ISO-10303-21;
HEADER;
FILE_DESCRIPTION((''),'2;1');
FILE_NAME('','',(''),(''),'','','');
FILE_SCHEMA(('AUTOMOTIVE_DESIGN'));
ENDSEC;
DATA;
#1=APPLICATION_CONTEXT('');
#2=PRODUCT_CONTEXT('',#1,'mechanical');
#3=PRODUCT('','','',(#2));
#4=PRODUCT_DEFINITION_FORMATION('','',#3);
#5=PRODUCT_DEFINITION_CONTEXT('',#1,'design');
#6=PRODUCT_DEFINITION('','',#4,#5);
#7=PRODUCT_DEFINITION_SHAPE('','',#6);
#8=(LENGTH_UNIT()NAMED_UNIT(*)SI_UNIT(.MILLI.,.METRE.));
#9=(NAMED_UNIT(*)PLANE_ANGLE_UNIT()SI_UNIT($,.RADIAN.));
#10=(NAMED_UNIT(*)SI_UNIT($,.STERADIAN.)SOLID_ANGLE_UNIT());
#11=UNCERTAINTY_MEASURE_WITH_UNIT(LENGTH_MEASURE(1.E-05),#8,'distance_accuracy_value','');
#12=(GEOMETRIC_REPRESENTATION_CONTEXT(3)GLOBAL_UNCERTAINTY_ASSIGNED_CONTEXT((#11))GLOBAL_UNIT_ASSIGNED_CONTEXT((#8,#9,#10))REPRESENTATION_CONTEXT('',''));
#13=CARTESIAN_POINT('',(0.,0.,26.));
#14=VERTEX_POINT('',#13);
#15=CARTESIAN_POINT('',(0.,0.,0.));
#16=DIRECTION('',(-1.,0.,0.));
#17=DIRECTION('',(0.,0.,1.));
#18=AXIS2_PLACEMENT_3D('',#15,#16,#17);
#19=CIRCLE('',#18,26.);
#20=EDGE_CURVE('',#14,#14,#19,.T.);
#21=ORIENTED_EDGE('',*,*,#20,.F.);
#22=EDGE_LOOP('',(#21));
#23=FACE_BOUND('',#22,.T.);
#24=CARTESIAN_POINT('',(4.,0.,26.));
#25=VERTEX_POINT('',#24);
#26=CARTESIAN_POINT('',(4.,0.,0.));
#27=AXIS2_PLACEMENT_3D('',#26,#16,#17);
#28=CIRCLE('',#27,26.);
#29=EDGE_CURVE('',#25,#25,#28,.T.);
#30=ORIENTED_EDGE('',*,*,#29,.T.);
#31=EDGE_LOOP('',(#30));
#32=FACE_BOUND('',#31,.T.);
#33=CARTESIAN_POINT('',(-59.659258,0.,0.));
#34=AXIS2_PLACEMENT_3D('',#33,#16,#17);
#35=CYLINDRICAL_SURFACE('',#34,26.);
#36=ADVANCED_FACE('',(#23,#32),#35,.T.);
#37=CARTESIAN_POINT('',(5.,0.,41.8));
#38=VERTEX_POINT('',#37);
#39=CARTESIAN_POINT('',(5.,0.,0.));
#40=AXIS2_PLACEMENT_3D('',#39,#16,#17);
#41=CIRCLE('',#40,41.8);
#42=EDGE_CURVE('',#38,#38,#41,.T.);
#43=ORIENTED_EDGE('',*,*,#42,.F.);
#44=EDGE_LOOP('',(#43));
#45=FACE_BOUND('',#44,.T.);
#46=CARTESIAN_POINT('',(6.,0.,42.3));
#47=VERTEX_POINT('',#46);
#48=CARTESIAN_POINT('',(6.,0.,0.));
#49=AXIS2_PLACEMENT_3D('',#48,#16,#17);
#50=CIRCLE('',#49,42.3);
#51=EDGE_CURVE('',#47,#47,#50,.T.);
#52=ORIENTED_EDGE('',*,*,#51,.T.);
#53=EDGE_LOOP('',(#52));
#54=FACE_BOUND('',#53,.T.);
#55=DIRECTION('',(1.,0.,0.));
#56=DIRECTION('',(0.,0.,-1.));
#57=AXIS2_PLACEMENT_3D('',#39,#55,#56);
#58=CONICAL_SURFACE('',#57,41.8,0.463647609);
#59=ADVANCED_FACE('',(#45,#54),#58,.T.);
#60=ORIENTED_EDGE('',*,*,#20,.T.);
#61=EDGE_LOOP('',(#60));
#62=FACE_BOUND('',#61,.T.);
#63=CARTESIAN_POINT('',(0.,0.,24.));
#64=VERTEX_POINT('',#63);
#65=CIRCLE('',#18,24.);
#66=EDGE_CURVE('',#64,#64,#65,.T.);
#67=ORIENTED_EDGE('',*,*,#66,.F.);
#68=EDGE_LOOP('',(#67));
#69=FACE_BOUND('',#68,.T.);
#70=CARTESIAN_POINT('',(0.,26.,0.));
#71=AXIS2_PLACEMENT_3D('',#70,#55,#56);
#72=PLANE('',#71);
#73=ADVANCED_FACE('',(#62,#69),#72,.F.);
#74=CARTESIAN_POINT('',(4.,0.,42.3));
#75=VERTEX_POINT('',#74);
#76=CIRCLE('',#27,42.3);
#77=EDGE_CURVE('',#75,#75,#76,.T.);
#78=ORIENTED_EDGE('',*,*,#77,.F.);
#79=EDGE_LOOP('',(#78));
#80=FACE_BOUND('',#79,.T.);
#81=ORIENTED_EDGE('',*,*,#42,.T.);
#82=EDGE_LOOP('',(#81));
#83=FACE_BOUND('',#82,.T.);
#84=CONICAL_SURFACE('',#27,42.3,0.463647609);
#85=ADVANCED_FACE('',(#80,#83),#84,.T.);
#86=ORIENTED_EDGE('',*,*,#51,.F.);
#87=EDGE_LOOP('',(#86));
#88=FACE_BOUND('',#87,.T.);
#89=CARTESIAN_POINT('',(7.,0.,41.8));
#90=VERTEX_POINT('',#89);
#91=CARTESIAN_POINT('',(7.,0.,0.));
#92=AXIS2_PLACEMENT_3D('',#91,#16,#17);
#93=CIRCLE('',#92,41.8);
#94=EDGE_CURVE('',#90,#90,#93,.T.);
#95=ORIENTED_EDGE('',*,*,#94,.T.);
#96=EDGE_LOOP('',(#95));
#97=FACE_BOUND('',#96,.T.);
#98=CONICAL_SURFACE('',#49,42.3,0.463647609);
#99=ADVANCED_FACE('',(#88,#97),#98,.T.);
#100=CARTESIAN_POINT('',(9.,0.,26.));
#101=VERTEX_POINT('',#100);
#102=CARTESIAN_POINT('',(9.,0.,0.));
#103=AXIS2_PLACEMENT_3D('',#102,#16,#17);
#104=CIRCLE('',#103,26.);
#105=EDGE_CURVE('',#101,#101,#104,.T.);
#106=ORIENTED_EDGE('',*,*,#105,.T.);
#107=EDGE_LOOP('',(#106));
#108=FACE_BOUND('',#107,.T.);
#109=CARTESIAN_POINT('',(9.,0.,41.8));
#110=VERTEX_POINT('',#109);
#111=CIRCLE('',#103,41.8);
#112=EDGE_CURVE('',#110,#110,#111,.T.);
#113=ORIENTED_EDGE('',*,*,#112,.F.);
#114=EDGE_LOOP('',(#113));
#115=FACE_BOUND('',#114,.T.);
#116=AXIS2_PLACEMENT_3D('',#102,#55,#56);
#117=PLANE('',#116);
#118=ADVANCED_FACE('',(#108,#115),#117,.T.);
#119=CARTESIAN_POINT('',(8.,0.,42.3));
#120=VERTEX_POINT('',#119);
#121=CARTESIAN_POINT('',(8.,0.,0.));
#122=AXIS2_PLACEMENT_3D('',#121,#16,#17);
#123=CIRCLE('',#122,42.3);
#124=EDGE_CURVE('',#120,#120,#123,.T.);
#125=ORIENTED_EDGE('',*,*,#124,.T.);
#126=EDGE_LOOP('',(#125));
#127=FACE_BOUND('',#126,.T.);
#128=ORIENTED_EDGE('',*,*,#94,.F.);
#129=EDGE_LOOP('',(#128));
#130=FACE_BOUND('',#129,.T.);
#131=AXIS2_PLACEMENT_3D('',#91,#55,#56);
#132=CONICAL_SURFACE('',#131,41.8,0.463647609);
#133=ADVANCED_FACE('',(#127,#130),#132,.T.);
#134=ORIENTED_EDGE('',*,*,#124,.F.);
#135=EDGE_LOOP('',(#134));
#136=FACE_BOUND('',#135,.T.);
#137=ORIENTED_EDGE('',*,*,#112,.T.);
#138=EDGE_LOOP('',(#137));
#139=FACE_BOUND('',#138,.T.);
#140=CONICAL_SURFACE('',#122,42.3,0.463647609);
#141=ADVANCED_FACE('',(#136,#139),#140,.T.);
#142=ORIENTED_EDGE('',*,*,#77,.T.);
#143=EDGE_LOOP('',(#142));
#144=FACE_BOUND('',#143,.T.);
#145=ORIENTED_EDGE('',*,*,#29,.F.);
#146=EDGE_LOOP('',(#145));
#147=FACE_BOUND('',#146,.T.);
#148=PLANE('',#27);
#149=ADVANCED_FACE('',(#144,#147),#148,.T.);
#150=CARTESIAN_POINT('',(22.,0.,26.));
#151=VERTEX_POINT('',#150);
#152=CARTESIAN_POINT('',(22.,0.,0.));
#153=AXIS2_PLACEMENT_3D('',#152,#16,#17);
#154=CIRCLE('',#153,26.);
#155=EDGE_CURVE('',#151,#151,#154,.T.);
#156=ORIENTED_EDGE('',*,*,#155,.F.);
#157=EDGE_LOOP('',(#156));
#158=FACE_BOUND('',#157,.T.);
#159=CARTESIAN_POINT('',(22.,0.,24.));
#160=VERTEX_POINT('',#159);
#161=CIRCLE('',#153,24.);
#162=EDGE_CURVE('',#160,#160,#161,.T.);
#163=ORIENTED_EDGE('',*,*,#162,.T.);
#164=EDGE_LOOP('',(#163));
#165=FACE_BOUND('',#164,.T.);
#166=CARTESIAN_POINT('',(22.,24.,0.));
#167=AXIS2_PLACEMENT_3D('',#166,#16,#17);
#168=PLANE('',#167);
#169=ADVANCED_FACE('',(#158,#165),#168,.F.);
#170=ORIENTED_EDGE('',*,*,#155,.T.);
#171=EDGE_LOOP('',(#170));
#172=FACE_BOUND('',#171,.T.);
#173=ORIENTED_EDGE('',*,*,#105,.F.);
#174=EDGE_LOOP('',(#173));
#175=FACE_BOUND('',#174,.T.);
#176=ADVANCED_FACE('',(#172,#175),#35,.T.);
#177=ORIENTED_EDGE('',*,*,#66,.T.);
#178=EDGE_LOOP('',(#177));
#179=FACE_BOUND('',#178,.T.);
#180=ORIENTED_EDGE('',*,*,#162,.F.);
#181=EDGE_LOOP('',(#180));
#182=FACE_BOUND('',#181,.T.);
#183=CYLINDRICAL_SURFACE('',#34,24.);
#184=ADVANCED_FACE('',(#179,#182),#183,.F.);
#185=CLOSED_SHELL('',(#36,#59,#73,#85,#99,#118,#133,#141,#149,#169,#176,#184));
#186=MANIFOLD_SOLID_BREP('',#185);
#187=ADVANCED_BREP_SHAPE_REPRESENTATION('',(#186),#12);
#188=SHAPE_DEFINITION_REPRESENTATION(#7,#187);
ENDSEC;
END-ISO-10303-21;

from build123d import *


with BuildPart() as part:
    # 草图1 → 旋转1 (revolve)
    with BuildSketch(Plane.XY, mode=Mode.PRIVATE) as revolve_1_sk:
        Polygon((0, 26), (0, 24), (22, 24), (22, 26), (9, 26), (9, 41.8), (8, 42.3), (7, 41.8), (6, 42.3), (5, 41.8), (4, 42.3), (4, 26), align=None)
    revolve(revolve_1_sk.sketch.rotate(Axis((-59.659258107, 0, 0), (1, 0, 0)), 90), axis=Axis((-59.659258107, 0, 0), (1, 0, 0)))


solid = part.part
